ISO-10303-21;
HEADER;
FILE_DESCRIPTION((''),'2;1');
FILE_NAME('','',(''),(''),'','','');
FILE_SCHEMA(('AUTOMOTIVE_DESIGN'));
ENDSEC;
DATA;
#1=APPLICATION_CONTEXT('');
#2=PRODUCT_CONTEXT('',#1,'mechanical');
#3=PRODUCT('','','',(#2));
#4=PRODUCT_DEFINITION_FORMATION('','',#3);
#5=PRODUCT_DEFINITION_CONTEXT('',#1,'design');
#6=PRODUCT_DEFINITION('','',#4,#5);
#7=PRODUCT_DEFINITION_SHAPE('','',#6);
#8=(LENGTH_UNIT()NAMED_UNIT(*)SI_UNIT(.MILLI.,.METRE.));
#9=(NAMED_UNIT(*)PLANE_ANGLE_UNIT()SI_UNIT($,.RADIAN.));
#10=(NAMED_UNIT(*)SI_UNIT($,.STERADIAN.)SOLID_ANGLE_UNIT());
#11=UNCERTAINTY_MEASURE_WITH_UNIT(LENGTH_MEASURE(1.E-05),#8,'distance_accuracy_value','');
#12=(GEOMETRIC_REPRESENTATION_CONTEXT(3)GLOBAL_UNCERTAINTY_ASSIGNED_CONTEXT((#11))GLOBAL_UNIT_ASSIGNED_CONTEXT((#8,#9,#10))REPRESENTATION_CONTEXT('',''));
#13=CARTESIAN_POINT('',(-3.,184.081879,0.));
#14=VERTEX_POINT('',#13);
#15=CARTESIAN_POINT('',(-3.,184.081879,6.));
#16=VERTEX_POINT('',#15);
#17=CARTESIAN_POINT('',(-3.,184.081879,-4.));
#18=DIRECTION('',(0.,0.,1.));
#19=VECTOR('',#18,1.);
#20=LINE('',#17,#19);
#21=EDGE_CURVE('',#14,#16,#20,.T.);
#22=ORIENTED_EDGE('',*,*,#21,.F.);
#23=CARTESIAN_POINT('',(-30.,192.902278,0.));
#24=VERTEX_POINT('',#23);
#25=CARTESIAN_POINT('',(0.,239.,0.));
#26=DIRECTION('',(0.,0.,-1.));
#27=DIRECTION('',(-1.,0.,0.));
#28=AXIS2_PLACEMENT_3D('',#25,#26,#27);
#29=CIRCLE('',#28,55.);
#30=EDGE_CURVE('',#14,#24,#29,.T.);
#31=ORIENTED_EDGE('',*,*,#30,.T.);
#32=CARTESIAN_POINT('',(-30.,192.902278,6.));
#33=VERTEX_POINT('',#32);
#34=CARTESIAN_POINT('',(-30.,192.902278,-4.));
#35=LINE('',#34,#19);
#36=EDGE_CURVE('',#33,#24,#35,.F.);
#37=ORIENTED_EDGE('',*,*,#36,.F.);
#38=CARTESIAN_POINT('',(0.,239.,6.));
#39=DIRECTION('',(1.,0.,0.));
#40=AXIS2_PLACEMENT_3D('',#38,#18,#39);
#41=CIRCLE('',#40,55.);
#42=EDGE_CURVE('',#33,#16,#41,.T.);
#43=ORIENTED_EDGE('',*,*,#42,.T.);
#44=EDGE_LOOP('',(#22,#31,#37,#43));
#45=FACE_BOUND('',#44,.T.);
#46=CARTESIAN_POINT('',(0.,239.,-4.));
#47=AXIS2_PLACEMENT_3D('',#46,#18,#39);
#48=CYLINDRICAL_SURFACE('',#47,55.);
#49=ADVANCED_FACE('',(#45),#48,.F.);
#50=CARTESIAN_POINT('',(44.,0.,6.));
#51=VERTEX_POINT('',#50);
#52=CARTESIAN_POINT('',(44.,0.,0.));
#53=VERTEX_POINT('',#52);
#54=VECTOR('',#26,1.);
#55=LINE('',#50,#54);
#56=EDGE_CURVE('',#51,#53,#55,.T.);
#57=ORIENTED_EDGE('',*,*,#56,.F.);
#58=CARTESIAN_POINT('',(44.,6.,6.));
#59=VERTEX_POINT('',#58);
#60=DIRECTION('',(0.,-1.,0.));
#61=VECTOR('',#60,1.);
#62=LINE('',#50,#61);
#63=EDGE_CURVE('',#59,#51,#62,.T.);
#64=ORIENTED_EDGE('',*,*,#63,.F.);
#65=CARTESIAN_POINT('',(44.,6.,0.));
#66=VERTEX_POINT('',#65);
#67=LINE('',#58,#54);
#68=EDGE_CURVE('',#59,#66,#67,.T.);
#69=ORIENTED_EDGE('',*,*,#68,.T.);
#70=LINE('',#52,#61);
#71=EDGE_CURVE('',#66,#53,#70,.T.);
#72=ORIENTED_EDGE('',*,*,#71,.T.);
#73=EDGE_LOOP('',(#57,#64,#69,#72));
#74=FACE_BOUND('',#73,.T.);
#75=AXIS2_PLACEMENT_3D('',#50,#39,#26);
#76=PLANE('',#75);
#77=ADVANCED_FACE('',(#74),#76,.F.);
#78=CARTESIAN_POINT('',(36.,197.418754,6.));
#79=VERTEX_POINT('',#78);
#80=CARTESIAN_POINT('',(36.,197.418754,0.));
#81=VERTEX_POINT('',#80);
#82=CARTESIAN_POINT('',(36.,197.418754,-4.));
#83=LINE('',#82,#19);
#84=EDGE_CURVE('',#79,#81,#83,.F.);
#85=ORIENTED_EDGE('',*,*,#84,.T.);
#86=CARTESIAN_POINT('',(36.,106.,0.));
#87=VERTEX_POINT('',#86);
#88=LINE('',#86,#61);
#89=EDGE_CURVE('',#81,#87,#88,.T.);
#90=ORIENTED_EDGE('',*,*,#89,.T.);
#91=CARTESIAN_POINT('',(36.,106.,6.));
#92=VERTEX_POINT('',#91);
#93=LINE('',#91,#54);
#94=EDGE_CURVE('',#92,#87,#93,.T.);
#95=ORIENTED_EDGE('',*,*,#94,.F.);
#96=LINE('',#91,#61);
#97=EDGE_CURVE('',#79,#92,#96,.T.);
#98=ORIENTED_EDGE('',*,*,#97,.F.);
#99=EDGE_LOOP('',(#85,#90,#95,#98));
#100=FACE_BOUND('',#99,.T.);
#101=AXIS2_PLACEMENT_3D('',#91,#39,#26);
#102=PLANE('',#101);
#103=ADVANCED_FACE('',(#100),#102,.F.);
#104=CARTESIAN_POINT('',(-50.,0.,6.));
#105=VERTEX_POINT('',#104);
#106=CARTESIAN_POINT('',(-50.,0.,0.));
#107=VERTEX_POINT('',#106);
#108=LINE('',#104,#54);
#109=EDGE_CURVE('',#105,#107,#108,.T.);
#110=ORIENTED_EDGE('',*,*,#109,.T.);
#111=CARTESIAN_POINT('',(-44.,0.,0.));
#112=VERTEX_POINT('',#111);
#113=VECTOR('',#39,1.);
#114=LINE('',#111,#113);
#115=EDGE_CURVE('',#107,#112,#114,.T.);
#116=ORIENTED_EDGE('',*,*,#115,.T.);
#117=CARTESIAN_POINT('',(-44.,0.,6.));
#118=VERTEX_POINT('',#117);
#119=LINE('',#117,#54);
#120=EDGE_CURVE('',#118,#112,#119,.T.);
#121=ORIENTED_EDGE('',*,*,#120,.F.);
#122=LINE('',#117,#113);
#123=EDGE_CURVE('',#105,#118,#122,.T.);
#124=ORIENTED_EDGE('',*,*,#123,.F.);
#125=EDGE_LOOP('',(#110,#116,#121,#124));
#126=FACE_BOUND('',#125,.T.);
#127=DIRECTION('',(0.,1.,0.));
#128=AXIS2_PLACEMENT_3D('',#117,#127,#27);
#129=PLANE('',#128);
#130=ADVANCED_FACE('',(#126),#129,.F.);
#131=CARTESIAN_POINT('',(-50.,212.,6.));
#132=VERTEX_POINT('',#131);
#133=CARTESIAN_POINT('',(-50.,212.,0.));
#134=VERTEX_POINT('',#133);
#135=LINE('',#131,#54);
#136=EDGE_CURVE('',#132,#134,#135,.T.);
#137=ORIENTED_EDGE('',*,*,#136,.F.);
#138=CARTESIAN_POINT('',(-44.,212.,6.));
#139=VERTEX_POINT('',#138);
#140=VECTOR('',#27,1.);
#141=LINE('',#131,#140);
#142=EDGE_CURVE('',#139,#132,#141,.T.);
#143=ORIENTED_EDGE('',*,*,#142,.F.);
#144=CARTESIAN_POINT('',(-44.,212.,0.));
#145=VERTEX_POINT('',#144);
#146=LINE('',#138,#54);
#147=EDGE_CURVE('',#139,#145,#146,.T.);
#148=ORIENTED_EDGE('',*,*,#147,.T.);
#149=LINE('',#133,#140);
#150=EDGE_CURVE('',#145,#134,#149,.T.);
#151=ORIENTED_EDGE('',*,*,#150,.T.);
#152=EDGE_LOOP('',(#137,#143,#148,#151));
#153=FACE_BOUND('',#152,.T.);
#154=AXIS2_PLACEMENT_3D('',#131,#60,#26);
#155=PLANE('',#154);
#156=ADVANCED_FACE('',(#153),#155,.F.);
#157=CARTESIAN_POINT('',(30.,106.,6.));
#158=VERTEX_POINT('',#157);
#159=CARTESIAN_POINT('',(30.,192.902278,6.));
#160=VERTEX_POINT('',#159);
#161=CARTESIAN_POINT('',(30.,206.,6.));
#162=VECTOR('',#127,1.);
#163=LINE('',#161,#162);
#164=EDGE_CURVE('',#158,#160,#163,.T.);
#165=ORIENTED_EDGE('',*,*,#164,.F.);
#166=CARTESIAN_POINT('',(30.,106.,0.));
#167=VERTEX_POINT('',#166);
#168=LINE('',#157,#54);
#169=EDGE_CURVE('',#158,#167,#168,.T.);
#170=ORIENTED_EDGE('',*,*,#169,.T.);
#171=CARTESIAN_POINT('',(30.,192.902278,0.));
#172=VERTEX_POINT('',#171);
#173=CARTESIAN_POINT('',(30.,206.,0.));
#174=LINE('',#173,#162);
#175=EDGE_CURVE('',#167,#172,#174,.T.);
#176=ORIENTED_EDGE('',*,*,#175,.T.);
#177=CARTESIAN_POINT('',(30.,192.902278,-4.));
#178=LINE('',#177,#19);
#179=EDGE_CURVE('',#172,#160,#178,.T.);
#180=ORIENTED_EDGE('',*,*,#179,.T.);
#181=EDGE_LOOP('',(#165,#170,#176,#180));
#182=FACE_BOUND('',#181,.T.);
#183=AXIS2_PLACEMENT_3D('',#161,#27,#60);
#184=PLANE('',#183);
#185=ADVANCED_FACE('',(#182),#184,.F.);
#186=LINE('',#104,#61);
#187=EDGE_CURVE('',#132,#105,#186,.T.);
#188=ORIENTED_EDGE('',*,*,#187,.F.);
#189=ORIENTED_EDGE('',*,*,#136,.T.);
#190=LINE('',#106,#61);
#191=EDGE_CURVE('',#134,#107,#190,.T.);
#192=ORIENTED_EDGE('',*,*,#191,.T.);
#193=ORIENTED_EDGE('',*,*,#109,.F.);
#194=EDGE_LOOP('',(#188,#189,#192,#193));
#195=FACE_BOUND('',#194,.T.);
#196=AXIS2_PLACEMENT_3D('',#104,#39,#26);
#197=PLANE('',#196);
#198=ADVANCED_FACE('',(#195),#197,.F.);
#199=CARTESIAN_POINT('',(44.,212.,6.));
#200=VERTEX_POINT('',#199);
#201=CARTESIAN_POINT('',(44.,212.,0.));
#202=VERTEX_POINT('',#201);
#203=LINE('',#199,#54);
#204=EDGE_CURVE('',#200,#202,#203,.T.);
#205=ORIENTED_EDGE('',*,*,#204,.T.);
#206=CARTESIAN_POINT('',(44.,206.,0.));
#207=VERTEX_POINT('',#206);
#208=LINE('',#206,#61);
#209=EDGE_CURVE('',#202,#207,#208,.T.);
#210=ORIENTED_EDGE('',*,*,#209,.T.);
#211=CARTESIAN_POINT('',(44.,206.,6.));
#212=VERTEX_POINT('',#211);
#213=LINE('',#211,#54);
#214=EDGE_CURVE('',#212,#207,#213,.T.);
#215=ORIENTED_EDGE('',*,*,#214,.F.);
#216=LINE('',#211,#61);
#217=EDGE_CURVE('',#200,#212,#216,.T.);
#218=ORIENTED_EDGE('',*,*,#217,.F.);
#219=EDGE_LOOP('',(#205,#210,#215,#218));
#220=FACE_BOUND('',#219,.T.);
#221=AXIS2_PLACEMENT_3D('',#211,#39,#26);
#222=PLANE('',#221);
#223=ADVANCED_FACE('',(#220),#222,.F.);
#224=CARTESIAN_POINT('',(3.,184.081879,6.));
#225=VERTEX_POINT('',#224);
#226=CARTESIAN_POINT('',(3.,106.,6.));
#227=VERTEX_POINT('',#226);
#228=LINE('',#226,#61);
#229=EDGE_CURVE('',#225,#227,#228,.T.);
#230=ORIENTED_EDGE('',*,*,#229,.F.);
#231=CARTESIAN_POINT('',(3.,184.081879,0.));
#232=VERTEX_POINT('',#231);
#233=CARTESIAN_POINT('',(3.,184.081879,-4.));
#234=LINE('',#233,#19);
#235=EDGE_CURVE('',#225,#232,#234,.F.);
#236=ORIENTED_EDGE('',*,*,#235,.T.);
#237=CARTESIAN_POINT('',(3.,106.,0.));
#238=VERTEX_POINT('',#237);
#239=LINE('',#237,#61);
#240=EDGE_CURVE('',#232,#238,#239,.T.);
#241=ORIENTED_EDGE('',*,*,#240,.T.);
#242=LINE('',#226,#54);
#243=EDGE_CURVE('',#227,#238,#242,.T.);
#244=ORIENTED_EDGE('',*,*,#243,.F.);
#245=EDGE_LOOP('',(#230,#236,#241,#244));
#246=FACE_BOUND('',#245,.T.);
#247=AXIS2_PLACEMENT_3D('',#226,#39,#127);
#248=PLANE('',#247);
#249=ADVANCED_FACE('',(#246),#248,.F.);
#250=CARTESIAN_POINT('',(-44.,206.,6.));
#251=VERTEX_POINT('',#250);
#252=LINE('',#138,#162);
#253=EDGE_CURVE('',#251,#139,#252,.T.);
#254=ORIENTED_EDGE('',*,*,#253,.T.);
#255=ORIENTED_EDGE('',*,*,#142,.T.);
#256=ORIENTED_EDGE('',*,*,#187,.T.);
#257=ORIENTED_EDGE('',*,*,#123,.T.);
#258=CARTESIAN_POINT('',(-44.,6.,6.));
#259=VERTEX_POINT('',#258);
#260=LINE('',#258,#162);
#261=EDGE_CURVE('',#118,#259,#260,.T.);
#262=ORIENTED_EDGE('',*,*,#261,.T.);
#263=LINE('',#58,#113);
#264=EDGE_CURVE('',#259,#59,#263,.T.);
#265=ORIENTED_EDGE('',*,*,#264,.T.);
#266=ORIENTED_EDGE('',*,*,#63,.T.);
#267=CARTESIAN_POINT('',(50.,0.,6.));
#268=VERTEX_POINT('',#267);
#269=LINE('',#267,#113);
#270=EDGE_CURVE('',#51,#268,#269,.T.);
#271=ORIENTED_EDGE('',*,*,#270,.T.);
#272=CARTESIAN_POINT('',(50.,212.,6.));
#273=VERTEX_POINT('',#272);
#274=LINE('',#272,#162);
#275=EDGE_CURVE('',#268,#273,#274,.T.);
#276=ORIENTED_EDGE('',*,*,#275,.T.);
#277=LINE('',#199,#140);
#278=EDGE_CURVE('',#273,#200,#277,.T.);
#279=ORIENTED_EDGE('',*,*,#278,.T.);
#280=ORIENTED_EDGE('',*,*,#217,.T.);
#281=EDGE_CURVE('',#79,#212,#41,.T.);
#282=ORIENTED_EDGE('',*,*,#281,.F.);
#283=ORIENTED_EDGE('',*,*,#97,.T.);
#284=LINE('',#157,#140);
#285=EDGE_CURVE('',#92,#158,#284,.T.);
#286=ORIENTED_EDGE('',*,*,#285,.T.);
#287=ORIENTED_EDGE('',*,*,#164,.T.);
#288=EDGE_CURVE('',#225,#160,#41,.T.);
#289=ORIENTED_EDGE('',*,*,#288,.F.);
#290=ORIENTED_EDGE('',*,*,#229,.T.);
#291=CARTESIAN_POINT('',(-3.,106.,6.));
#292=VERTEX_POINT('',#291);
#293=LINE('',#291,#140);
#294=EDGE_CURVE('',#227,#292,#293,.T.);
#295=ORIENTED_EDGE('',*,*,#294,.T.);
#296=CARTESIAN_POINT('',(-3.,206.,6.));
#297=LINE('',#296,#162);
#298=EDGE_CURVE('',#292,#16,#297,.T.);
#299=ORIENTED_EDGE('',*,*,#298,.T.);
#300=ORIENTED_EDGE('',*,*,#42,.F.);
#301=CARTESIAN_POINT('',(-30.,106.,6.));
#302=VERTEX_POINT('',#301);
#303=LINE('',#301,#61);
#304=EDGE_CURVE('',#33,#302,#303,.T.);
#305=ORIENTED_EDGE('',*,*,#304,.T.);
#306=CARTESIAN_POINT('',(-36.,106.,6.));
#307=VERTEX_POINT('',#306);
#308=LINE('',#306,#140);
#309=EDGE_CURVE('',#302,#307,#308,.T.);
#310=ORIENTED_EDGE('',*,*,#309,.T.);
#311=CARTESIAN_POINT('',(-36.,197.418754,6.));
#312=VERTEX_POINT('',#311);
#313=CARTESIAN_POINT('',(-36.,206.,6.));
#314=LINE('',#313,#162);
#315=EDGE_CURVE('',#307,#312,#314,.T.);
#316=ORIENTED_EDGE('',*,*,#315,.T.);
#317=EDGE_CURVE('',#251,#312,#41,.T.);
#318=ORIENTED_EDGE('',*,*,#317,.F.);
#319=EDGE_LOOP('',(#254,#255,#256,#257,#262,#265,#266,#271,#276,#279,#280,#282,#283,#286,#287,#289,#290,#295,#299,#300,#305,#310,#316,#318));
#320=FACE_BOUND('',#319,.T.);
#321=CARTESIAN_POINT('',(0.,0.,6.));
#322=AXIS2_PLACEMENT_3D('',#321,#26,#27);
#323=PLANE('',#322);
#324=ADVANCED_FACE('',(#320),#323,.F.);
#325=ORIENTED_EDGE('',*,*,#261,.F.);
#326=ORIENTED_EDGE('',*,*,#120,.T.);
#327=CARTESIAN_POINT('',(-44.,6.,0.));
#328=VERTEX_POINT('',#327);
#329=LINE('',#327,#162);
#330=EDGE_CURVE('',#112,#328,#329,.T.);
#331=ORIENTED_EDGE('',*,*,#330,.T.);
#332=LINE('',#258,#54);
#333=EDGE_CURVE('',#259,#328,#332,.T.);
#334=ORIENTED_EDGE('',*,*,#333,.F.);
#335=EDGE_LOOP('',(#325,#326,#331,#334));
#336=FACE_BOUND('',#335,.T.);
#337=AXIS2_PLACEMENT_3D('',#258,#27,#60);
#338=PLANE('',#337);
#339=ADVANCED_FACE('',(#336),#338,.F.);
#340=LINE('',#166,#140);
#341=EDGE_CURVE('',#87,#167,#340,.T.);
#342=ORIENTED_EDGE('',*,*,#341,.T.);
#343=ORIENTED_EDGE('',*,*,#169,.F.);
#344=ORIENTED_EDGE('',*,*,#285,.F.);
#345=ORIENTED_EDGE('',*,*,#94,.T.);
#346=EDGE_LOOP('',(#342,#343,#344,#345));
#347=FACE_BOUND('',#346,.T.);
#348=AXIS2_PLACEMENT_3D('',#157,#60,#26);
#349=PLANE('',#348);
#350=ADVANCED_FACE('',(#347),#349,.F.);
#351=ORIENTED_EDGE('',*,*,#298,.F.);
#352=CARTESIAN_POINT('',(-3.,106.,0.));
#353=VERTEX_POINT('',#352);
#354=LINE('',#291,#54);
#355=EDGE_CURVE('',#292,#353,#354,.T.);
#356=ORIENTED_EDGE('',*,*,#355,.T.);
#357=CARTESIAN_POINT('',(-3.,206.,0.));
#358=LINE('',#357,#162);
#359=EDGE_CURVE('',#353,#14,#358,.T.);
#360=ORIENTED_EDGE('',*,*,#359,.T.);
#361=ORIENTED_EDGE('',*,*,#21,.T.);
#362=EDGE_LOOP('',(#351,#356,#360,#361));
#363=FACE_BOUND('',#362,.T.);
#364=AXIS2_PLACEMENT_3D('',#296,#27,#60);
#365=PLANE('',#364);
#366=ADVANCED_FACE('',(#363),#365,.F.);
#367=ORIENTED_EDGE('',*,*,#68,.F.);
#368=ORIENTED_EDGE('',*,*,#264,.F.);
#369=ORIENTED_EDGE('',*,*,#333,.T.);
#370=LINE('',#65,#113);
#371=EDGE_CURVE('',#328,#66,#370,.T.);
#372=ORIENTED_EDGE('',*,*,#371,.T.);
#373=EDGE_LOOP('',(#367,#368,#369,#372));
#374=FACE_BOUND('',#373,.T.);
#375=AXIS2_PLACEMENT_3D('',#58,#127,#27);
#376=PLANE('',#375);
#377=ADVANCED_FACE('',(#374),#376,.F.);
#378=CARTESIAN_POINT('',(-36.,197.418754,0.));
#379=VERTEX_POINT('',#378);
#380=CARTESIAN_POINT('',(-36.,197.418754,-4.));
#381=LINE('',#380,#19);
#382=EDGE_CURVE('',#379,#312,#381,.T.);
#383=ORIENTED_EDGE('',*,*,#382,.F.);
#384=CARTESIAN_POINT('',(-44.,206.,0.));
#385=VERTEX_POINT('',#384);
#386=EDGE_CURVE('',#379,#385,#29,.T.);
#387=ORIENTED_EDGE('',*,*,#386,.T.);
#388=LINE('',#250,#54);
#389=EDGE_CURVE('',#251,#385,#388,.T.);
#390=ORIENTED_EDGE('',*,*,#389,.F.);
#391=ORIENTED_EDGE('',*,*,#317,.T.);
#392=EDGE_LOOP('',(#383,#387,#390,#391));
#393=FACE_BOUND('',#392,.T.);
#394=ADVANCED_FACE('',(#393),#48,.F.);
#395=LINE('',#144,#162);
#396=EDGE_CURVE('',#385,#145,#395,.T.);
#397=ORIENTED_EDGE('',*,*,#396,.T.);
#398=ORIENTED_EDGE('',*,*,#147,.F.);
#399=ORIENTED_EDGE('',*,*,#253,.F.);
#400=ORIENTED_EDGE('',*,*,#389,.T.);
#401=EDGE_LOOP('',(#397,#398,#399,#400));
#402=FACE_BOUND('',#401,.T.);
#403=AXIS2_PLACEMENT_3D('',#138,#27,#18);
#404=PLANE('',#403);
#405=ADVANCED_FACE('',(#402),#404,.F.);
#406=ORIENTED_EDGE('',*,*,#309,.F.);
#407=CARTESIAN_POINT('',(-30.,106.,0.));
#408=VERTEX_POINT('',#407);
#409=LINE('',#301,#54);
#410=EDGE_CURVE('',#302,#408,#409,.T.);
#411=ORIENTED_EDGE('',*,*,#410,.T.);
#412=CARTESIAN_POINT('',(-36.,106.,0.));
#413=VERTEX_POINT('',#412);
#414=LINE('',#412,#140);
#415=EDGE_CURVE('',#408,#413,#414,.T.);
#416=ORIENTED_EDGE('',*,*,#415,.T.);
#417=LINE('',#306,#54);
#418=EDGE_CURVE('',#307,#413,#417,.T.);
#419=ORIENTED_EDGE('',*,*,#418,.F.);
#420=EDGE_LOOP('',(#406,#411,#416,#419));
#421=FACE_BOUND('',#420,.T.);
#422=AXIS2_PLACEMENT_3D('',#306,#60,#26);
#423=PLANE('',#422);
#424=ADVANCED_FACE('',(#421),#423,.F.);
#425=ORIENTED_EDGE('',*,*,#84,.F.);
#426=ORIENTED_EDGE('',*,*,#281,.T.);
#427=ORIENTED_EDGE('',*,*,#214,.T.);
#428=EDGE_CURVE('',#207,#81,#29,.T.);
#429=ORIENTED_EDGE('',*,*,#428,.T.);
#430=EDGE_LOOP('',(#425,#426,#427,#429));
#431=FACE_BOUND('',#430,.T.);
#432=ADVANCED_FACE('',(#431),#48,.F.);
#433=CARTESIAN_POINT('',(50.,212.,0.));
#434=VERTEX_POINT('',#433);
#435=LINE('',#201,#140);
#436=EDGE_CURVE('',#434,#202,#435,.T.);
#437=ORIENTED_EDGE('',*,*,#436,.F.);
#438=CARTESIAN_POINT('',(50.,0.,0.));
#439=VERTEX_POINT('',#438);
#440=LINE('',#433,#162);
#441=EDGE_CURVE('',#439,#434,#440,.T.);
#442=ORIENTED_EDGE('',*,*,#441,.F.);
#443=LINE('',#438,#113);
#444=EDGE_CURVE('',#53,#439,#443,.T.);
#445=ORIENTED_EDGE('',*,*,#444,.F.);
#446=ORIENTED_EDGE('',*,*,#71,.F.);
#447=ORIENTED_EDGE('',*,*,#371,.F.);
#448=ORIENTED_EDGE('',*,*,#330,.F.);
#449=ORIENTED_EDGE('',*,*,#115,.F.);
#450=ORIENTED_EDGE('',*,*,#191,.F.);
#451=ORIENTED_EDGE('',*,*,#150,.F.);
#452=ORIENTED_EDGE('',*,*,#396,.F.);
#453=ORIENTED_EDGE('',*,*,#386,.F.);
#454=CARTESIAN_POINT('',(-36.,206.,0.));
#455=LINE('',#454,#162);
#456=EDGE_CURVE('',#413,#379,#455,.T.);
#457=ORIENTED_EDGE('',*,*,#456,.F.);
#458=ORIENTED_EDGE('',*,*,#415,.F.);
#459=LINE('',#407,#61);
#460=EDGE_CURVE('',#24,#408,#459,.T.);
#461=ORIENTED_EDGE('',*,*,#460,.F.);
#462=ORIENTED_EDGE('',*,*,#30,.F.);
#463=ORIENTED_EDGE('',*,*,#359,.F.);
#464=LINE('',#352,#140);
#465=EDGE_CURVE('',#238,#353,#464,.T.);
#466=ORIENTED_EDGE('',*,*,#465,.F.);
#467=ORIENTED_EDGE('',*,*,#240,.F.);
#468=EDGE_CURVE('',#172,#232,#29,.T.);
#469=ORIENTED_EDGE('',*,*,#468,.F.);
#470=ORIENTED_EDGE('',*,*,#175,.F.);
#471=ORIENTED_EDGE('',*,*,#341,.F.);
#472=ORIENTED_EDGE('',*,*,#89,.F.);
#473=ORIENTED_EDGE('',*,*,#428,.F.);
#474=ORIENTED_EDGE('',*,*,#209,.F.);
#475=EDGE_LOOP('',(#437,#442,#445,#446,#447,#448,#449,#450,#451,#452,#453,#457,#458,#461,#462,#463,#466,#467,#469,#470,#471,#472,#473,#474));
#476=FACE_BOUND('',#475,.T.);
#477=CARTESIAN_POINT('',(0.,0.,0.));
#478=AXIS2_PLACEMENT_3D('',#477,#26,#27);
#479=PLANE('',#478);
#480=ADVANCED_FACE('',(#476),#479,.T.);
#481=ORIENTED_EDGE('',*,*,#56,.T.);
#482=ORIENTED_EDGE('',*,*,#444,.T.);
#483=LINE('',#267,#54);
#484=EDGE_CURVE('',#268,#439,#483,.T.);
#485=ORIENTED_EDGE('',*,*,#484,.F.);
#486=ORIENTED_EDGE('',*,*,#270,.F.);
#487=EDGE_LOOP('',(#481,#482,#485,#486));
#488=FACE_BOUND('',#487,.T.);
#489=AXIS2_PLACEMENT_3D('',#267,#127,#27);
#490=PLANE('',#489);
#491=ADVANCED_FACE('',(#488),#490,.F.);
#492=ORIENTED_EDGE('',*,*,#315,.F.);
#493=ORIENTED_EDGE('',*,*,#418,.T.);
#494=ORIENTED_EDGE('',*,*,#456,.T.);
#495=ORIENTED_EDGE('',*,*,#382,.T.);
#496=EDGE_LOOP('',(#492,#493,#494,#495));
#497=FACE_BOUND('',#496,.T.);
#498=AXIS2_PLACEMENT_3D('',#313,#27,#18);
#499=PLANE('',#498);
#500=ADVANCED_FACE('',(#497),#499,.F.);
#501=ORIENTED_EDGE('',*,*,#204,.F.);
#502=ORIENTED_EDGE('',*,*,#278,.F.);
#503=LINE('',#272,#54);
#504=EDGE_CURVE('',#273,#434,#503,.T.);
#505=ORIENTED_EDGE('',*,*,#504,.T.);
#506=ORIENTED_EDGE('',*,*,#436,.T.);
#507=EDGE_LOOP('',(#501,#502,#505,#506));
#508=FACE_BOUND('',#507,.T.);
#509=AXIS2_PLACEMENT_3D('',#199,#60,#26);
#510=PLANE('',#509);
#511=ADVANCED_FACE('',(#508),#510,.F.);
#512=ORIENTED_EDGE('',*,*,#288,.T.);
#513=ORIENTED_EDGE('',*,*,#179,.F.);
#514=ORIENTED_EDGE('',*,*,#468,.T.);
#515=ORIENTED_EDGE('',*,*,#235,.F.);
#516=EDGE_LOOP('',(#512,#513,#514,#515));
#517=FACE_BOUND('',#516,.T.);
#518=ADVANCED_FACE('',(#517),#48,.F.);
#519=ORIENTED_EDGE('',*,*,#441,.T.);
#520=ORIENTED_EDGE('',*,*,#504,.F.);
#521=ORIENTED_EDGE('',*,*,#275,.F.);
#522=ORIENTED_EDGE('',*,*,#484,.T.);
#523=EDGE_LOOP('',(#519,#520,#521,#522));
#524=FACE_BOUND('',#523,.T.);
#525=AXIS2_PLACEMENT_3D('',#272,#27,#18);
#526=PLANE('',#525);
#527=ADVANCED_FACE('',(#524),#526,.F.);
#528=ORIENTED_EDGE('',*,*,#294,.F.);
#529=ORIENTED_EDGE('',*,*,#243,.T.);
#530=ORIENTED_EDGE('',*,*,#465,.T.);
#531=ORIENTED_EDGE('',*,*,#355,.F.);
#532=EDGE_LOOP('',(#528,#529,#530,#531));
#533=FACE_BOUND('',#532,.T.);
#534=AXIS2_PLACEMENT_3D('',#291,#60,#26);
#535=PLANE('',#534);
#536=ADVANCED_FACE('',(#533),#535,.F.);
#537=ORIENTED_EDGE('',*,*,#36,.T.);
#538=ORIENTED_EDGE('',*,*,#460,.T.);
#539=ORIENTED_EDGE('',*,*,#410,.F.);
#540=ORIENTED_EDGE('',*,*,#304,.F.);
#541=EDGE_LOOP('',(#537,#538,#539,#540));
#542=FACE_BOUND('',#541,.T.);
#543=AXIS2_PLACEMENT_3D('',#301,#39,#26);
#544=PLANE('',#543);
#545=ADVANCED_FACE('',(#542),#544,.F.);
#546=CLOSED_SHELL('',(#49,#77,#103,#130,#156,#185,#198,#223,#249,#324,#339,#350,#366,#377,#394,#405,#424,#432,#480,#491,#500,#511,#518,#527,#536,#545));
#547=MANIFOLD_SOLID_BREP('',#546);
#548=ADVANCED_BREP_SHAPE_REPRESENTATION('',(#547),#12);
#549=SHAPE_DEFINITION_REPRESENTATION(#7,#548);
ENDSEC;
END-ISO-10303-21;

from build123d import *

# Parameters (mm, degrees)
BOSS_EXTRU_1_DEPTH      = 6
ENL_V_MAT_EXTRU_1_DEPTH = 10


with BuildPart() as part:
    # Esquisse1 → Boss.-Extru.1 (new body)
    with BuildSketch(Plane.XY):
        Polygon((-50, 0), (-50, 212), (-44, 212), (-44, 206), (-36, 206), (-36, 106), (-30, 106), (-30, 206), (-3, 206), (-3, 106), (3, 106), (3, 206), (30, 206), (30, 106), (36, 106), (36, 206), (44, 206), (44, 212), (50, 212), (50, 0), (44, 0), (44, 6), (-44, 6), (-44, 0), align=None)
    extrude(amount=BOSS_EXTRU_1_DEPTH)

    # Esquisse2 → Enlèv. mat.-Extru.1 (cut)
    with BuildSketch(Plane.XY.offset(6)):
        with BuildLine():
            Line((-44, 206), (44, 206))
            ThreePointArc((44, 206), (0, 184), (-44, 206))
        make_face()
    extrude(amount=-ENL_V_MAT_EXTRU_1_DEPTH, mode=Mode.SUBTRACT)


solid = part.part
